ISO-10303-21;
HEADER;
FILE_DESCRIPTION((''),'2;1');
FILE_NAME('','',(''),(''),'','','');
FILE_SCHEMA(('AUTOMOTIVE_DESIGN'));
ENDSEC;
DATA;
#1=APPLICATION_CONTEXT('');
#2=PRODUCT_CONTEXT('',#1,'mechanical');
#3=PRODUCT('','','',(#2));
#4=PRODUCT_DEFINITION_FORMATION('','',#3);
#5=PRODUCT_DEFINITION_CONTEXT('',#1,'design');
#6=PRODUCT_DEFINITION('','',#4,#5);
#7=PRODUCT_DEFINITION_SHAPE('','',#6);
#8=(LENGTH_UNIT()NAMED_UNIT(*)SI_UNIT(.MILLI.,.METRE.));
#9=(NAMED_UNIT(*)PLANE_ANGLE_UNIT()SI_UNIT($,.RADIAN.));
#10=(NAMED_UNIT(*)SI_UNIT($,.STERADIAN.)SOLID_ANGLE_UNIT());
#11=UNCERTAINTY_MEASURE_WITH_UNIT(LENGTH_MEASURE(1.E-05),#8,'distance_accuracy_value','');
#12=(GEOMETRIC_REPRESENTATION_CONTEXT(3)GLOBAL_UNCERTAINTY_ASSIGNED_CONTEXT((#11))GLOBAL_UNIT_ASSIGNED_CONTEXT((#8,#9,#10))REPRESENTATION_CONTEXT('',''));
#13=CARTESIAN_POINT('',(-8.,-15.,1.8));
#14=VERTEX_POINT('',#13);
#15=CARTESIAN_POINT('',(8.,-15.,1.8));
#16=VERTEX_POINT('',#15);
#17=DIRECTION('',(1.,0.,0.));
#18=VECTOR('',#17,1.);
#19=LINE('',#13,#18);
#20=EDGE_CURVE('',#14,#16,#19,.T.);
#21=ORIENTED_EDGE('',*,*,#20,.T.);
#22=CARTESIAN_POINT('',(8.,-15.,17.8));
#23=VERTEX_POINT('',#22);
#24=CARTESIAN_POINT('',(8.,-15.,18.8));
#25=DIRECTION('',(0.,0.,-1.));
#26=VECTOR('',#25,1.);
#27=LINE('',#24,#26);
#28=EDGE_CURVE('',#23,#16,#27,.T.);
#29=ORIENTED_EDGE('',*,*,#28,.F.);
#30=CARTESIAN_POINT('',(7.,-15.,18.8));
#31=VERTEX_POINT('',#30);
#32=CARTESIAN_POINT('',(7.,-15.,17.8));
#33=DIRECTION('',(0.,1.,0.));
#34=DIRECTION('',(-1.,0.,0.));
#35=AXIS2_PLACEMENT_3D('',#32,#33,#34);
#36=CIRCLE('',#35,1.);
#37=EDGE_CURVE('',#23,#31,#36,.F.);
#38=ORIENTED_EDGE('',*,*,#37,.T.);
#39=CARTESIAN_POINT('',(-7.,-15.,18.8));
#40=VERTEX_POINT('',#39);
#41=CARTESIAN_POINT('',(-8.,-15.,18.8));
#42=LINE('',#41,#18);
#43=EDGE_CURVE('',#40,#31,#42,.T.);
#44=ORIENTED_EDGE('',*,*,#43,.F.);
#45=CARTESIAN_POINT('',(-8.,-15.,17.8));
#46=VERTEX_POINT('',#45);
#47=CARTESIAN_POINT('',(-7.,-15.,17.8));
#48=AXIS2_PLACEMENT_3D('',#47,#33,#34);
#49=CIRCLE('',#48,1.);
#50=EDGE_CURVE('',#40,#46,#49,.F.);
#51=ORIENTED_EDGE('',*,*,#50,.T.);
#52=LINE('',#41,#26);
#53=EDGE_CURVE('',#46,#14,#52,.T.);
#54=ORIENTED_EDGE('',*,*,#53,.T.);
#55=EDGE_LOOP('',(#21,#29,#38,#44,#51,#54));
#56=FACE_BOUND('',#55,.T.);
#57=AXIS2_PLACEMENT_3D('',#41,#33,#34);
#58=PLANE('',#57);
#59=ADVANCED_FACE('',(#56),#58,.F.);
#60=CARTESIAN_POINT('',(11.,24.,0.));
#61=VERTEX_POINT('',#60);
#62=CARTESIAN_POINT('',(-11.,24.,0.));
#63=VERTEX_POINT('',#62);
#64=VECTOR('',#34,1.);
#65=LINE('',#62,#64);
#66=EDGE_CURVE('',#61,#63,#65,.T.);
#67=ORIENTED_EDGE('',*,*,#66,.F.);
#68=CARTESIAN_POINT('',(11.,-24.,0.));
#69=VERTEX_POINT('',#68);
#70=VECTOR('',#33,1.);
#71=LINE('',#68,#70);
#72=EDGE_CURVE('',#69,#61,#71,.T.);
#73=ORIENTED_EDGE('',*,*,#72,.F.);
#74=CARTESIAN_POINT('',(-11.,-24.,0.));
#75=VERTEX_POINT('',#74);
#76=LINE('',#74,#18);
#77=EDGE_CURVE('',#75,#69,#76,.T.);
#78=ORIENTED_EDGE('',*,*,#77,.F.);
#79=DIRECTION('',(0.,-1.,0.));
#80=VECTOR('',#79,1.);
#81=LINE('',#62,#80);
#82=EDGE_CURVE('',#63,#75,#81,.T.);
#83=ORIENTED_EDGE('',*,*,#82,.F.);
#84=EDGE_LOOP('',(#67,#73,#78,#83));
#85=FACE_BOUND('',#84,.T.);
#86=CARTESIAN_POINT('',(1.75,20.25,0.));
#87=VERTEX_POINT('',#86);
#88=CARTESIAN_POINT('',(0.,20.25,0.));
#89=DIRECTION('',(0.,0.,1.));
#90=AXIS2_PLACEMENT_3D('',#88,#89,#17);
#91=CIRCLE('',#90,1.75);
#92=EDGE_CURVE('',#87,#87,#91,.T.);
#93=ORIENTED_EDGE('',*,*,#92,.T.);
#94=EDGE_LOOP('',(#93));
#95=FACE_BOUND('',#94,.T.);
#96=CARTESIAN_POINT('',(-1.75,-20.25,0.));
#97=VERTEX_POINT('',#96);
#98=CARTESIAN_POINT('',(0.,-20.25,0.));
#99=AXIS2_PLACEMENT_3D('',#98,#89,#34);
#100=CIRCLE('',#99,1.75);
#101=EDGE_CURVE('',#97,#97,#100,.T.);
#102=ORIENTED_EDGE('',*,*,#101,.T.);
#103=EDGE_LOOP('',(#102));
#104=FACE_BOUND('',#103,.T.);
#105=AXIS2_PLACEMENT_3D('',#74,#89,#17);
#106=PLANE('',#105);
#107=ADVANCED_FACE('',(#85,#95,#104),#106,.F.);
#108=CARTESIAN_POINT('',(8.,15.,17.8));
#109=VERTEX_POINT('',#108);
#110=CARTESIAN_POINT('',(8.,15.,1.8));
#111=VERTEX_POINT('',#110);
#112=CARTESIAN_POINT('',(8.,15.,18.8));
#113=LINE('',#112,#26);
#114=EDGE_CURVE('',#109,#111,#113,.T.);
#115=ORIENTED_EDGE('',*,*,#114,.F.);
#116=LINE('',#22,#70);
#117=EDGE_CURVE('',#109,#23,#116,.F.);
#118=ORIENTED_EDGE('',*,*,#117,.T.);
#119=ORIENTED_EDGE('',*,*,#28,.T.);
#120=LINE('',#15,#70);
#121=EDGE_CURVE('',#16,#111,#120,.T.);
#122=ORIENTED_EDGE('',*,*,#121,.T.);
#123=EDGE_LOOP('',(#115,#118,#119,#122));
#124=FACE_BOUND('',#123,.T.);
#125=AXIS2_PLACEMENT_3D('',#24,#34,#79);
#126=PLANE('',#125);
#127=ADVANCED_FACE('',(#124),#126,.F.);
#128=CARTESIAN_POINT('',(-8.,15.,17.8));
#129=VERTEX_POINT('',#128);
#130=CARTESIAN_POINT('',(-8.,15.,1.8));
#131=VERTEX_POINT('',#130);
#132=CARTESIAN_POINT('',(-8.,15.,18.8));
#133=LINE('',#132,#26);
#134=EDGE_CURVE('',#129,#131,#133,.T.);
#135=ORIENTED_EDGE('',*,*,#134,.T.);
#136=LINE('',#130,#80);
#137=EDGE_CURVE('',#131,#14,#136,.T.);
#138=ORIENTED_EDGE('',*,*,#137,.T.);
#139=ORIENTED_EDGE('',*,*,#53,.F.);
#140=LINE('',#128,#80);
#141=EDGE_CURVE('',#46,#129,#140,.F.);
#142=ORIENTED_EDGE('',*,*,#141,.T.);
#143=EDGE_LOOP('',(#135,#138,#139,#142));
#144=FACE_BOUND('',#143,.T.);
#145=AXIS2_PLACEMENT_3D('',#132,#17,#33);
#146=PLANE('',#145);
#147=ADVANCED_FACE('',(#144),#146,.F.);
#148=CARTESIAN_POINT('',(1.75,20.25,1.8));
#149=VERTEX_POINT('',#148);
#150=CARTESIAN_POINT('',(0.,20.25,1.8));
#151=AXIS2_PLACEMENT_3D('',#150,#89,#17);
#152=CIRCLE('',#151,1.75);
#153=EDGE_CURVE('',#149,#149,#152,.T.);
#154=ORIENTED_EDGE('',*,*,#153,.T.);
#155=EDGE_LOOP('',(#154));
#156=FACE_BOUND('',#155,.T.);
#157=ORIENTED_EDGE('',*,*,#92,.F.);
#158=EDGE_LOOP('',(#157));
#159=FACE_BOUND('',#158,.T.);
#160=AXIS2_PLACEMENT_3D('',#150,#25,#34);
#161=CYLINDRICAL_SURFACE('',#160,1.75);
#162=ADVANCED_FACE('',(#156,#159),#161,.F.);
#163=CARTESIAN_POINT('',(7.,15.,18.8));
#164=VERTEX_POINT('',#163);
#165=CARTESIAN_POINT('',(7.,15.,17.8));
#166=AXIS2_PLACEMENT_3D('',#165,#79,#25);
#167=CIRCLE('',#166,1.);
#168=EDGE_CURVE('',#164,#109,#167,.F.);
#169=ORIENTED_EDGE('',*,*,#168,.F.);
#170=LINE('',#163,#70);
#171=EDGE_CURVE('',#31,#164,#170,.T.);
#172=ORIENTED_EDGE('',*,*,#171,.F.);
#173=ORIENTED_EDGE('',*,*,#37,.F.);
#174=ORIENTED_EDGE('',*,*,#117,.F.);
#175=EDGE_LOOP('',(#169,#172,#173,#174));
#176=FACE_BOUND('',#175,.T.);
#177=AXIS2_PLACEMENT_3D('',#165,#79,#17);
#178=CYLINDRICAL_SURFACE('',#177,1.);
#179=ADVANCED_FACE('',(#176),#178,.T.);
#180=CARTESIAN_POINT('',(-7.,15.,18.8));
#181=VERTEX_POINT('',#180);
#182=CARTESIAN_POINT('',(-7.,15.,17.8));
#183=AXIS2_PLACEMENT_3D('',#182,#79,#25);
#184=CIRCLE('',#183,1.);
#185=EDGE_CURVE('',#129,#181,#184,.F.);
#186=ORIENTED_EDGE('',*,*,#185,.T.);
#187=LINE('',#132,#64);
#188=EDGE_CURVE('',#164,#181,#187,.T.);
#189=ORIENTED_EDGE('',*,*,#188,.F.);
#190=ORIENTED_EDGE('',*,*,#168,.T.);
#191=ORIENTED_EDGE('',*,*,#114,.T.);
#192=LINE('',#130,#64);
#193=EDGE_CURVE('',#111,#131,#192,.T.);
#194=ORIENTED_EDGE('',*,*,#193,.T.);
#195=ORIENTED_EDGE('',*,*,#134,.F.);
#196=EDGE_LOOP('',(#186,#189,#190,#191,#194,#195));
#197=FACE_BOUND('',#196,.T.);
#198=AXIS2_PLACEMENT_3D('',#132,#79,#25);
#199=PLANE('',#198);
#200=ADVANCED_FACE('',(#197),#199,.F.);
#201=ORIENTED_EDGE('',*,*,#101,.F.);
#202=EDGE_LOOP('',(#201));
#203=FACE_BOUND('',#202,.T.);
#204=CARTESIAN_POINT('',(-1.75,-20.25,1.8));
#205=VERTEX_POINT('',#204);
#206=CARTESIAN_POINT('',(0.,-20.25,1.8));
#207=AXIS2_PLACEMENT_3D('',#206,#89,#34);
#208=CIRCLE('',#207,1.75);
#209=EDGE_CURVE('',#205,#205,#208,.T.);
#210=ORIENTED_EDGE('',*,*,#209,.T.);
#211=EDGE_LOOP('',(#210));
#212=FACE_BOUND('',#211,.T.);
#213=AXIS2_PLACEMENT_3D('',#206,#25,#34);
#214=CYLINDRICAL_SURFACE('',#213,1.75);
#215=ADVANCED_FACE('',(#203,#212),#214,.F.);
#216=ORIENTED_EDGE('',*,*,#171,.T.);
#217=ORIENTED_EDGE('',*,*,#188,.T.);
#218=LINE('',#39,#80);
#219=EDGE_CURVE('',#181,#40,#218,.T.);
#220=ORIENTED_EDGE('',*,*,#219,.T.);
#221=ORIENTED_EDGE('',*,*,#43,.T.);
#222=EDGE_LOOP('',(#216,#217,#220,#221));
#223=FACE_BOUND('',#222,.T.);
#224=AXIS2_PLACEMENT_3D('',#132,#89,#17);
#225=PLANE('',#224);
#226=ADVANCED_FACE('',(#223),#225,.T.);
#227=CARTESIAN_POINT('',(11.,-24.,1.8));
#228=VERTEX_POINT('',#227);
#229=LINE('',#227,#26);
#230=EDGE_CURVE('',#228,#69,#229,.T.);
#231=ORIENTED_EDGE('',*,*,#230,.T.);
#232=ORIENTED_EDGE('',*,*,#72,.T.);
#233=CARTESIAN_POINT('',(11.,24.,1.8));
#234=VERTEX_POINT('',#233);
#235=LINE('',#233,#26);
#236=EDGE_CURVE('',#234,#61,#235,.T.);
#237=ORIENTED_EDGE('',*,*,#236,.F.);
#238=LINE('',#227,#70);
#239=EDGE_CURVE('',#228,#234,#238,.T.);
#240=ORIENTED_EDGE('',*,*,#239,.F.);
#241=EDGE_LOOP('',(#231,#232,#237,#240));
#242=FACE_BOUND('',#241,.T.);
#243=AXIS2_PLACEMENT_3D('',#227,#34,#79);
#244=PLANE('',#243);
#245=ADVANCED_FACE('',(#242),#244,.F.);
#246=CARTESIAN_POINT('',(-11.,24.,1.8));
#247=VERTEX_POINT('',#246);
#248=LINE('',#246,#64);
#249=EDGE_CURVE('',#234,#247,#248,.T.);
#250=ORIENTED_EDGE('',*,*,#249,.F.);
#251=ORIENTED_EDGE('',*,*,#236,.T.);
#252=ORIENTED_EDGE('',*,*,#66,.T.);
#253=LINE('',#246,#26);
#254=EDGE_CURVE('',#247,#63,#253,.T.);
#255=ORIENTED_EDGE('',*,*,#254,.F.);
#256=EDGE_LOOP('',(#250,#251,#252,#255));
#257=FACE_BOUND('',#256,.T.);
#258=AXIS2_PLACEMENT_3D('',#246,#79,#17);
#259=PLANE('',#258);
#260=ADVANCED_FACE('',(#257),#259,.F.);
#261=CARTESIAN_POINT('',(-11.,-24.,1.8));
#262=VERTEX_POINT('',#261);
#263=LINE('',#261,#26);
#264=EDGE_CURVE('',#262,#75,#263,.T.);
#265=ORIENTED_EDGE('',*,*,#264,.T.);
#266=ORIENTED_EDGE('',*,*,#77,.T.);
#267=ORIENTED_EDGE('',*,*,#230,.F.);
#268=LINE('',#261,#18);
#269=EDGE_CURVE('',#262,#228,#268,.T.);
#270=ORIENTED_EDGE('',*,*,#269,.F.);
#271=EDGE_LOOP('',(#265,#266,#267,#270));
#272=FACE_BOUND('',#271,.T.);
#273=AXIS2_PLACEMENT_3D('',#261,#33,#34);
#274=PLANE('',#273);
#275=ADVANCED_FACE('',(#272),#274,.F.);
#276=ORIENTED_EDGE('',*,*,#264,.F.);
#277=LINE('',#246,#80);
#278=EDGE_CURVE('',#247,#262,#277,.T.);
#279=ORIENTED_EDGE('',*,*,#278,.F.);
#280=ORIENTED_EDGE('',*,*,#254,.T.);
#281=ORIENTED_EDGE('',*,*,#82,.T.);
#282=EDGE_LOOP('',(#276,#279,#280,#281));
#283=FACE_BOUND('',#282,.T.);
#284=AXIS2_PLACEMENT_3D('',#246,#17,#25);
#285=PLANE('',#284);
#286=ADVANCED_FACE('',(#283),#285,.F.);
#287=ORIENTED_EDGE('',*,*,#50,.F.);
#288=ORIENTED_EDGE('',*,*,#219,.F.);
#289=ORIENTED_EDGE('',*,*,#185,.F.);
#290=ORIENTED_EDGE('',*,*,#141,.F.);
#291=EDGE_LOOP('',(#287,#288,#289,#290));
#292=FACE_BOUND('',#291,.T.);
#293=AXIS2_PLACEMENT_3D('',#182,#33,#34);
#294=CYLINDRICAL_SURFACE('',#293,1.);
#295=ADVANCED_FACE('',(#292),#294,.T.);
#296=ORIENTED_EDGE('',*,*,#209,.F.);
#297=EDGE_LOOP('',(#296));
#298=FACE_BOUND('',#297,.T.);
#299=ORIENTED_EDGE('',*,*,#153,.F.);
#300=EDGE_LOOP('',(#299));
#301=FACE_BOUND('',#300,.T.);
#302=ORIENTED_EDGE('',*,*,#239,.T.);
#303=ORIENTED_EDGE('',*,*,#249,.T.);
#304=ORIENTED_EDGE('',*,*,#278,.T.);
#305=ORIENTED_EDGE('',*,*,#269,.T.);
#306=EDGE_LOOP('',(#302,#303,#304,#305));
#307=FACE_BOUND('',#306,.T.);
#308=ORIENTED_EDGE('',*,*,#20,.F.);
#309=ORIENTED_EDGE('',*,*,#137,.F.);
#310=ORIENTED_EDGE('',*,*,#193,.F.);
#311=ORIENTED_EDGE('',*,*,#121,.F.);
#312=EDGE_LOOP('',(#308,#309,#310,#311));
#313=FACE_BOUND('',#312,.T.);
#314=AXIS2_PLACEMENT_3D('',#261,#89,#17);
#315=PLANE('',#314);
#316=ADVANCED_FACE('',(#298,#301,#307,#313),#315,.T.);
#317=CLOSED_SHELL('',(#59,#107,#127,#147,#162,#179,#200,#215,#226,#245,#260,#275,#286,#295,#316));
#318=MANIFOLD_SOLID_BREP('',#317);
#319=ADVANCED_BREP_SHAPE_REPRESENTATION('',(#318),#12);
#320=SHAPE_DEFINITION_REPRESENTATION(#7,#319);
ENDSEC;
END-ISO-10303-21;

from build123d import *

# Parameters (mm, degrees)
SKETCH_1_W      = 22
SKETCH_1_H      = 48
SKETCH_1_R      = 1.75
EXTRUDE_1_DEPTH = 1.8
SKETCH_2_W      = 16
SKETCH_2_H      = 30
EXTRUDE_2_DEPTH = 17
FILLET_1_R      = 1


with BuildPart() as part:
    # 草图1 → 拉伸1 (new body)
    with BuildSketch(Plane.XY):
        Rectangle(SKETCH_1_W, SKETCH_1_H)
        with Locations((0, 20.25)):
            Circle(SKETCH_1_R, mode=Mode.SUBTRACT)
        with Locations(Location((0, -20.25, 0), (0, 0, 180))):
            Circle(SKETCH_1_R, mode=Mode.SUBTRACT)
    extrude(amount=EXTRUDE_1_DEPTH)

    # 草图2 → 拉伸2 (add)
    with BuildSketch(Plane.XY.offset(1.8)):
        Rectangle(SKETCH_2_W, SKETCH_2_H)
    extrude(amount=EXTRUDE_2_DEPTH)

    # 圆角1
    fillet_1_edges = [part.edges().sort_by_distance(p)[0] for p in [
        (-8, 0, 18.8),
        (8, 0, 18.8),
    ]]
    fillet(fillet_1_edges, radius=FILLET_1_R)


solid = part.part
